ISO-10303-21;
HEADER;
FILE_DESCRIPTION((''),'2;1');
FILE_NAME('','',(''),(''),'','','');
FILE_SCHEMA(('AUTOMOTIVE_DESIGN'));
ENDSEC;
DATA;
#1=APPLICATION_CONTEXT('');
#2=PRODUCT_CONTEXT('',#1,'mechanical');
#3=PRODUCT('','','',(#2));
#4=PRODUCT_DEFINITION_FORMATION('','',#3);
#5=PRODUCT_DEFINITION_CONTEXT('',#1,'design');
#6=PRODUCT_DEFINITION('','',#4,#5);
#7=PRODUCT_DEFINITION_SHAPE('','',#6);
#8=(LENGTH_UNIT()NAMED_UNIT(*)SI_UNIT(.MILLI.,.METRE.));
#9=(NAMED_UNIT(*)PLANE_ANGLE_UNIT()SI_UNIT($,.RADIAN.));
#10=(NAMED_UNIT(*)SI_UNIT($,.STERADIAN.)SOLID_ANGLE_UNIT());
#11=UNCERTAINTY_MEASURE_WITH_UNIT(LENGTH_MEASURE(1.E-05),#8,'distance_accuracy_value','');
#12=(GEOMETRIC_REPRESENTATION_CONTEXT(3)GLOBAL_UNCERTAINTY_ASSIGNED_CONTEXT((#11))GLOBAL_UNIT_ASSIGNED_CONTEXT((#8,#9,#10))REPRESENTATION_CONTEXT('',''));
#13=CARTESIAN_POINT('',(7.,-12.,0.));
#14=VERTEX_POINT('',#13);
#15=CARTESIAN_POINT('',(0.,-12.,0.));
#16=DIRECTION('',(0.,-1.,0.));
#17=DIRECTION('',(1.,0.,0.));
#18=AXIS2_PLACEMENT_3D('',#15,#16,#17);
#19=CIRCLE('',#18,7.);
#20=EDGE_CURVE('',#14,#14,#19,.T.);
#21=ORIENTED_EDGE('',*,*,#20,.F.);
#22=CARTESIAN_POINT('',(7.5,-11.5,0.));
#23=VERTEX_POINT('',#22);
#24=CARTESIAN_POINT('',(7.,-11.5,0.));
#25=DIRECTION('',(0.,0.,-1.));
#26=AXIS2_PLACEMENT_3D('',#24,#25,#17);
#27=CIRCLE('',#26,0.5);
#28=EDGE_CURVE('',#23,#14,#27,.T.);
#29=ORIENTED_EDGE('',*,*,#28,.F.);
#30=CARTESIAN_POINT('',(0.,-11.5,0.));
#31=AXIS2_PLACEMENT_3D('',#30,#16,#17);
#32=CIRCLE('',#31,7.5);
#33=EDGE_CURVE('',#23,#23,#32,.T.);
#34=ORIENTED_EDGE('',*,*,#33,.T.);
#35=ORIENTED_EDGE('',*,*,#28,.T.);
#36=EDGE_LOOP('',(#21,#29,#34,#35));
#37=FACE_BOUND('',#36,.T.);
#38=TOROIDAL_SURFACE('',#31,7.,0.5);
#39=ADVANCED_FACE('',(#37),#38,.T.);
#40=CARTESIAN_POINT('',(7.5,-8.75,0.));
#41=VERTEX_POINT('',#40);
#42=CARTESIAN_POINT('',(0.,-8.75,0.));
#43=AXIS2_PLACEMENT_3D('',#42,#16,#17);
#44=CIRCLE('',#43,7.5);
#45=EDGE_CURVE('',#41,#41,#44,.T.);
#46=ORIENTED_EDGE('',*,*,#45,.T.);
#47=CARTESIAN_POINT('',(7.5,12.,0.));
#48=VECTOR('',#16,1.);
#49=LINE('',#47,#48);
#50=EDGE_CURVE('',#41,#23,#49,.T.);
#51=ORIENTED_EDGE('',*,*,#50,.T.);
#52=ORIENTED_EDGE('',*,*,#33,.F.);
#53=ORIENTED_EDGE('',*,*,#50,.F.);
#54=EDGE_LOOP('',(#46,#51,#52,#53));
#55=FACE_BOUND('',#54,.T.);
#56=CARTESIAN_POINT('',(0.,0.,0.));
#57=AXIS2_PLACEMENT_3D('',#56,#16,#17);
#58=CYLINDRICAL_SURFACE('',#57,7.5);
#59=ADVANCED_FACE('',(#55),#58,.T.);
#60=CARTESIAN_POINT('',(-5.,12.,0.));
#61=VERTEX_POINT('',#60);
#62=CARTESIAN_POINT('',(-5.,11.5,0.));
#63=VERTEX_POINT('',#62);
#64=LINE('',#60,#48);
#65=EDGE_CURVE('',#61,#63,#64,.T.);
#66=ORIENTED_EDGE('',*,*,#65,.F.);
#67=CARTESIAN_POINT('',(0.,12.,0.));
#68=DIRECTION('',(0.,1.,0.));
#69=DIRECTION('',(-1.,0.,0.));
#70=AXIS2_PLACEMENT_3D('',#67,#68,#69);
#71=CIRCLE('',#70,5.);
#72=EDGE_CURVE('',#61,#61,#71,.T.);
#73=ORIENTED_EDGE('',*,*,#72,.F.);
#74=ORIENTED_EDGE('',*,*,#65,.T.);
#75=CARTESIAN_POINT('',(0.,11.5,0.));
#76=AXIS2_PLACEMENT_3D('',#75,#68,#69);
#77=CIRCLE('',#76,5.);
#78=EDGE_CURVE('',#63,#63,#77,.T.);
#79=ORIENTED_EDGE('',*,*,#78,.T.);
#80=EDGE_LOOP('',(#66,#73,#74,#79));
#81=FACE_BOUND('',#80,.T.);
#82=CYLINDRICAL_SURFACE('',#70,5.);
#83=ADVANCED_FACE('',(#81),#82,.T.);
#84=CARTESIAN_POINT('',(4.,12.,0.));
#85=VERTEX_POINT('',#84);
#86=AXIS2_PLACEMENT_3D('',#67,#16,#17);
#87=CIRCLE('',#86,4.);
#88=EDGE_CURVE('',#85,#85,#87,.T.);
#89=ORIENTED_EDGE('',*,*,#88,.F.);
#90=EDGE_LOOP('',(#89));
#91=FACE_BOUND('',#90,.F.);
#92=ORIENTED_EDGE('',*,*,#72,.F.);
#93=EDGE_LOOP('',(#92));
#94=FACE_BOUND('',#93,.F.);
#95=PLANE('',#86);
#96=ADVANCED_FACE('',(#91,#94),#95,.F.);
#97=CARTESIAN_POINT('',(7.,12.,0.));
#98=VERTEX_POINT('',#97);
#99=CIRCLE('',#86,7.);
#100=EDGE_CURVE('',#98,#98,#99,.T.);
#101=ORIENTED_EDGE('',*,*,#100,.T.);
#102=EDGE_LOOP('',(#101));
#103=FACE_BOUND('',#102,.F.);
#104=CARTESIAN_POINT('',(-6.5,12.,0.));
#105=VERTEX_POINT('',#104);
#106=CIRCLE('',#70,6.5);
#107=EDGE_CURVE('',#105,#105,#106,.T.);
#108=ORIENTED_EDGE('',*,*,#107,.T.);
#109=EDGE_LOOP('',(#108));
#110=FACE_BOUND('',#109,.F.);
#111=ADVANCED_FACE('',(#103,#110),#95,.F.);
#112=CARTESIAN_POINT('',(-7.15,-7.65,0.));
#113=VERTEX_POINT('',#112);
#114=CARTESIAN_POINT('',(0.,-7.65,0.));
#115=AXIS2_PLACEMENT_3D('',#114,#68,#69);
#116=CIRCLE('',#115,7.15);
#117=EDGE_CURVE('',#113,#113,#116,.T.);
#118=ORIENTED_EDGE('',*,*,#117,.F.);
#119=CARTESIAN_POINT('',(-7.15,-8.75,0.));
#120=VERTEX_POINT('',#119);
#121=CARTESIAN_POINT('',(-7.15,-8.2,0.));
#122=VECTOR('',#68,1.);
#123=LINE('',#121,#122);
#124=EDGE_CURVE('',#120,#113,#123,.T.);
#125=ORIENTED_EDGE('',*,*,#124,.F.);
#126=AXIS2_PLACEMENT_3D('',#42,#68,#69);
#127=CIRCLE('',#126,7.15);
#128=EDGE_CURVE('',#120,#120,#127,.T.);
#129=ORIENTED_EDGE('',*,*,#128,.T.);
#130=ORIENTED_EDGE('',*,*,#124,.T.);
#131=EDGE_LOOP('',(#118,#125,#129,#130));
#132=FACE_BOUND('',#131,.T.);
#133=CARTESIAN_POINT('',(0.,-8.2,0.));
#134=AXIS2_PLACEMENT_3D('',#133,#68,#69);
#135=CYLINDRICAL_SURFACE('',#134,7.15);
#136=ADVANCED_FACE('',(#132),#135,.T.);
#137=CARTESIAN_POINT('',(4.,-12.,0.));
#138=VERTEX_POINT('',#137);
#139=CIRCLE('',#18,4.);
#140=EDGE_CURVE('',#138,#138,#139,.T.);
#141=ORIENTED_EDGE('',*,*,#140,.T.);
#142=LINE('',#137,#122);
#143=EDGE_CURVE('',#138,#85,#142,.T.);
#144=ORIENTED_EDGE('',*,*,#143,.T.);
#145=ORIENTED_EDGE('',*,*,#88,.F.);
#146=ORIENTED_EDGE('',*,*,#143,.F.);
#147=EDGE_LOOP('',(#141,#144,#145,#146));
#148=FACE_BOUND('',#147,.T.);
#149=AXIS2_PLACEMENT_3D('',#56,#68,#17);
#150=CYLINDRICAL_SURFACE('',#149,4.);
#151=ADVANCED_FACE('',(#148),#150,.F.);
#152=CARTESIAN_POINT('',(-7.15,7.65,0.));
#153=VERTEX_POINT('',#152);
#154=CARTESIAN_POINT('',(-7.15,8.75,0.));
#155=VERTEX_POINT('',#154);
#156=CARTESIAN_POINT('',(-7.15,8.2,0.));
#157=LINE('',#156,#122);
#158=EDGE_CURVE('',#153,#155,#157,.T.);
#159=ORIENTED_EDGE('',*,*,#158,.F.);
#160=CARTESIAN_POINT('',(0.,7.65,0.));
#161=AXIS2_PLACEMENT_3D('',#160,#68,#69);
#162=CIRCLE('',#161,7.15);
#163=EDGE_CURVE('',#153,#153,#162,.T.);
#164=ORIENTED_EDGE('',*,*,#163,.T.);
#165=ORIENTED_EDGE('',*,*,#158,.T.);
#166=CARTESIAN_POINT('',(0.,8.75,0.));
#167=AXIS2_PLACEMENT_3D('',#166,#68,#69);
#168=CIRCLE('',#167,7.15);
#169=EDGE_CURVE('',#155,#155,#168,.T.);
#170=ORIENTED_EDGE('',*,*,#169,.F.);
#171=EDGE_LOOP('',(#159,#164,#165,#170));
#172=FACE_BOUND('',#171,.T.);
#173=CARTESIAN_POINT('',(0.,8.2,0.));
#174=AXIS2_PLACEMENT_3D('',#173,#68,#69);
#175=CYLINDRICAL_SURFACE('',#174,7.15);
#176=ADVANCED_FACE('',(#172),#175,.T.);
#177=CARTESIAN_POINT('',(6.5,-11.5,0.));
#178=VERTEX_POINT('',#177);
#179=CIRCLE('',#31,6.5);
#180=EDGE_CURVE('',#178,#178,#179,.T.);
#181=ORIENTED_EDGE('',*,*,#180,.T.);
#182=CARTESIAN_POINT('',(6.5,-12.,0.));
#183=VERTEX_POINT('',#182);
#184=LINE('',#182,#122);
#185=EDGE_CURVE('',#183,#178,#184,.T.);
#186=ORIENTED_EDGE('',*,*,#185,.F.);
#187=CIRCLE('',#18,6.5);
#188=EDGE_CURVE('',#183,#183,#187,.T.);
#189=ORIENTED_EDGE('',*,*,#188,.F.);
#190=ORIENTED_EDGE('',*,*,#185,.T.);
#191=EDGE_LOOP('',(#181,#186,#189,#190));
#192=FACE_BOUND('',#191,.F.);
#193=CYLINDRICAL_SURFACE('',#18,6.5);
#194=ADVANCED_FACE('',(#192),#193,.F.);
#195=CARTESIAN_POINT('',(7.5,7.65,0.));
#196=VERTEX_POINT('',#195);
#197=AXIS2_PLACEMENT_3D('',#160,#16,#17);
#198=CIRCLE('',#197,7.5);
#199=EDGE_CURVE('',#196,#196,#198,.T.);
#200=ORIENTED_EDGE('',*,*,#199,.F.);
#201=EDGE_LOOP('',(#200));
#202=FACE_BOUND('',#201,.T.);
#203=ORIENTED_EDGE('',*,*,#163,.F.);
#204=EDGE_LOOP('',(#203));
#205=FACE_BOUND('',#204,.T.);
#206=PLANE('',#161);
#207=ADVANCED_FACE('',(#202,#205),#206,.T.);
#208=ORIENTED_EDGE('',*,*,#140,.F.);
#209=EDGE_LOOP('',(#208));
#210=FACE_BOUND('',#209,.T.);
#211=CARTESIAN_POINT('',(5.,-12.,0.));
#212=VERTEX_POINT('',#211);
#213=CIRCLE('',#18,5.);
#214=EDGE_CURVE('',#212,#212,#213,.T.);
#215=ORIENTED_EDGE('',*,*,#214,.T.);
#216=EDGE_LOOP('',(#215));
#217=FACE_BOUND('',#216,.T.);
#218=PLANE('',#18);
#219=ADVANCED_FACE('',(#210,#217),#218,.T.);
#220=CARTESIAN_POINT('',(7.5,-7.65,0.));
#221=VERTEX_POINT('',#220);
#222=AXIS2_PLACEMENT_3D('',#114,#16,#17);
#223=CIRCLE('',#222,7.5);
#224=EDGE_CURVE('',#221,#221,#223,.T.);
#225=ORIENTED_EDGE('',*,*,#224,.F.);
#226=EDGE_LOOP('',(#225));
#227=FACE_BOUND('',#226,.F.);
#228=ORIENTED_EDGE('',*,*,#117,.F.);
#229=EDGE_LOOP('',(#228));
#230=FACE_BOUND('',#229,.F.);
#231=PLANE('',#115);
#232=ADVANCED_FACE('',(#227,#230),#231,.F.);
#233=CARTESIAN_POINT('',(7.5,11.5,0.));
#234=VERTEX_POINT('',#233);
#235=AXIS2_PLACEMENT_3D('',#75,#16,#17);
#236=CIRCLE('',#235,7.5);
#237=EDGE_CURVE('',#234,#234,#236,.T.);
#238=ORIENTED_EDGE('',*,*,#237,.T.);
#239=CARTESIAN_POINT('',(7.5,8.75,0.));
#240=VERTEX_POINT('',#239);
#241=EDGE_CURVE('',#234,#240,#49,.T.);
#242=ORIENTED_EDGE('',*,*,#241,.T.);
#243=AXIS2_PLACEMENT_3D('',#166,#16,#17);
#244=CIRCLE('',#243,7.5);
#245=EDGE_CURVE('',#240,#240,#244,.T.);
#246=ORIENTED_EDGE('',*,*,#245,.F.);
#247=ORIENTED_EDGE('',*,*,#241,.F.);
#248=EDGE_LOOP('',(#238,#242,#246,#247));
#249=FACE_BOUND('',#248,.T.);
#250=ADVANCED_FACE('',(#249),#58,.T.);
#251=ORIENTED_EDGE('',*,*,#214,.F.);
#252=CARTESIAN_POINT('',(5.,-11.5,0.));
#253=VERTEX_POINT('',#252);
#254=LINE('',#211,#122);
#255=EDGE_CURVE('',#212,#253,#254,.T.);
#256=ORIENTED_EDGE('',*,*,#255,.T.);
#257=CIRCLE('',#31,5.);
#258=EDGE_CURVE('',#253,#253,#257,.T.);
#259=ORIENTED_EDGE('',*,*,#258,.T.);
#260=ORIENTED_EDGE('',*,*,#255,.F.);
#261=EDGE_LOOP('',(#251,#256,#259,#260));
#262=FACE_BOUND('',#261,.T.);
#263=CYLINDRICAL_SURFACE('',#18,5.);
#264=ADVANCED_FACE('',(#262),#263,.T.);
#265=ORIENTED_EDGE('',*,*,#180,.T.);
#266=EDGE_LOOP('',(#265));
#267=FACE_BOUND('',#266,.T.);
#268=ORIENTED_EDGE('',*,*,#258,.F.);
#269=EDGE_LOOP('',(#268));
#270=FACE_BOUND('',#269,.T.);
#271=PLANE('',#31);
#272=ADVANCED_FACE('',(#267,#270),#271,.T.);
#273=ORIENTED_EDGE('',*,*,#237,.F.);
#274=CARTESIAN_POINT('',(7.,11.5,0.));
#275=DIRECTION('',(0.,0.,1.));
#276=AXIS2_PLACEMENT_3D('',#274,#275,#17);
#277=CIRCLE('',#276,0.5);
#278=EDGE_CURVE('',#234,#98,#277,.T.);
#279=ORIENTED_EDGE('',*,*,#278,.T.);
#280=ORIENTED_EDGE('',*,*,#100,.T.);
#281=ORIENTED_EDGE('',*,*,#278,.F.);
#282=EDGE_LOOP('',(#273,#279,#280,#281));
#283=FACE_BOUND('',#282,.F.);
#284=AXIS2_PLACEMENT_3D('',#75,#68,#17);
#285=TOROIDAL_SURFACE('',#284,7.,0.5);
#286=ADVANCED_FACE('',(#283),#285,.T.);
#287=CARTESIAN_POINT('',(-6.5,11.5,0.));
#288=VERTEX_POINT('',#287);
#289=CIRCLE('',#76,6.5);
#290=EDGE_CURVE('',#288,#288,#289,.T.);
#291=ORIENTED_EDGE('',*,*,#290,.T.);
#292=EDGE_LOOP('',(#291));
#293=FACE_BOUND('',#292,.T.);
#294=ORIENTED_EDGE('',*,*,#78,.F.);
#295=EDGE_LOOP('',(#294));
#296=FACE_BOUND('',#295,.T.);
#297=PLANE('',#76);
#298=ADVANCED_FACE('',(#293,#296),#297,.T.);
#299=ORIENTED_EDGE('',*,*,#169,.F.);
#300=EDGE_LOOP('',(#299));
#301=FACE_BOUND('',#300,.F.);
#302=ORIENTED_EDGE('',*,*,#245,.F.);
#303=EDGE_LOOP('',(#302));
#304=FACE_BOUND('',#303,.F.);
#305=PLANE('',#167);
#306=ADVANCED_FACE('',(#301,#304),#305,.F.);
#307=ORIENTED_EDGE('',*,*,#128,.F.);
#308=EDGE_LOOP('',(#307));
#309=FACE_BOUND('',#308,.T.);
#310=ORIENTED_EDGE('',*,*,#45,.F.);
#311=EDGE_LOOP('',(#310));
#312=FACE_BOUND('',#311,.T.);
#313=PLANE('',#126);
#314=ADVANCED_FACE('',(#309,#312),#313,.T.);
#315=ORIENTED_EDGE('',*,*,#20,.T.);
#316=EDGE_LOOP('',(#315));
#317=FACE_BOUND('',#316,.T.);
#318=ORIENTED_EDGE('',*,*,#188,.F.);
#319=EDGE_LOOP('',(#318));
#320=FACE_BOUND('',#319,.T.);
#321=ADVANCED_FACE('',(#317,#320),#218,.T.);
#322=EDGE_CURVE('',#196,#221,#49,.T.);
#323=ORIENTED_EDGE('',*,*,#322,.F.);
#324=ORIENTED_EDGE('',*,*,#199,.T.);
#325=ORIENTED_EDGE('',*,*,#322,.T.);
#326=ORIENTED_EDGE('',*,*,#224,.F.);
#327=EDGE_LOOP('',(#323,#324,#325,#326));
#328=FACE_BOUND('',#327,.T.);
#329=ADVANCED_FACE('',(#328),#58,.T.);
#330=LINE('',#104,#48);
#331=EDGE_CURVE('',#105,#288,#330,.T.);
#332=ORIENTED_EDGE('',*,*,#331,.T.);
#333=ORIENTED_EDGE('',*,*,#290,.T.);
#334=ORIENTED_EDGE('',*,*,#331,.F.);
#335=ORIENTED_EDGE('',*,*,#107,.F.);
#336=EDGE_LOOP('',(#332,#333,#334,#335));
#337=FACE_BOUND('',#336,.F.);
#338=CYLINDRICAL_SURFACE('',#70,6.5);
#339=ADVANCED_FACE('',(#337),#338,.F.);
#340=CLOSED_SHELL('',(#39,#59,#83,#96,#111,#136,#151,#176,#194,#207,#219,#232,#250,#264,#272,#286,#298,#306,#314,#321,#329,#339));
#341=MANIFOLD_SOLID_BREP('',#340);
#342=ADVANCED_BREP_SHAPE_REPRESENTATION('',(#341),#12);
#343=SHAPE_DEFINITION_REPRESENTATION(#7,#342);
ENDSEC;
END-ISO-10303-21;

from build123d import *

# Parameters (mm, degrees)
F0_R     = 7.5
F0_R_2   = 4
F1_DEPTH = 12
F2_W     = 1
F2_H     = 1.1
F4_R     = 6.5
F4_R_2   = 5
F5_DEPTH = 0.5
F6_R     = 6.5
F6_R_2   = 5
F7_DEPTH = 0.5
F8_R     = 0.5


with BuildPart() as f1:
    # F0 (on Front) → F1 (new body, symmetric)
    with BuildSketch(Plane.XZ):
        Circle(F0_R)
        Circle(F0_R_2, mode=Mode.SUBTRACT)
    extrude(amount=F1_DEPTH, both=True)

    # F2 (on Top) → F3 (revolve, cut)
    with BuildSketch(Plane.XY):
        with Locations((-7.65, 8.2)):
            Rectangle(F2_W, F2_H)
        with Locations((-7.65, -8.2)):
            Rectangle(F2_W, F2_H)
    revolve(axis=Axis((0, 10.336502, 0), (0, 1, 0)), mode=Mode.SUBTRACT)

    # F4 (on face) → F5 (cut)
    with BuildSketch(Plane.XZ.offset(12)):
        Circle(F4_R)
        Circle(F4_R_2, mode=Mode.SUBTRACT)
    extrude(amount=-F5_DEPTH, mode=Mode.SUBTRACT)

    # F6 (on face) → F7 (cut)
    with BuildSketch(Plane(origin=(0, 12, 0), x_dir=(-1, 0, 0), z_dir=(0, 1, 0))):
        Circle(F6_R)
        Circle(F6_R_2, mode=Mode.SUBTRACT)
    extrude(amount=-F7_DEPTH, mode=Mode.SUBTRACT)

    # F8
    f8_edges = [f1.edges().sort_by_distance(p)[0] for p in [
        (-7.5, 12, 0),
        (-7.5, -12, 0),
    ]]
    fillet(f8_edges, radius=F8_R)


solid = f1.part
